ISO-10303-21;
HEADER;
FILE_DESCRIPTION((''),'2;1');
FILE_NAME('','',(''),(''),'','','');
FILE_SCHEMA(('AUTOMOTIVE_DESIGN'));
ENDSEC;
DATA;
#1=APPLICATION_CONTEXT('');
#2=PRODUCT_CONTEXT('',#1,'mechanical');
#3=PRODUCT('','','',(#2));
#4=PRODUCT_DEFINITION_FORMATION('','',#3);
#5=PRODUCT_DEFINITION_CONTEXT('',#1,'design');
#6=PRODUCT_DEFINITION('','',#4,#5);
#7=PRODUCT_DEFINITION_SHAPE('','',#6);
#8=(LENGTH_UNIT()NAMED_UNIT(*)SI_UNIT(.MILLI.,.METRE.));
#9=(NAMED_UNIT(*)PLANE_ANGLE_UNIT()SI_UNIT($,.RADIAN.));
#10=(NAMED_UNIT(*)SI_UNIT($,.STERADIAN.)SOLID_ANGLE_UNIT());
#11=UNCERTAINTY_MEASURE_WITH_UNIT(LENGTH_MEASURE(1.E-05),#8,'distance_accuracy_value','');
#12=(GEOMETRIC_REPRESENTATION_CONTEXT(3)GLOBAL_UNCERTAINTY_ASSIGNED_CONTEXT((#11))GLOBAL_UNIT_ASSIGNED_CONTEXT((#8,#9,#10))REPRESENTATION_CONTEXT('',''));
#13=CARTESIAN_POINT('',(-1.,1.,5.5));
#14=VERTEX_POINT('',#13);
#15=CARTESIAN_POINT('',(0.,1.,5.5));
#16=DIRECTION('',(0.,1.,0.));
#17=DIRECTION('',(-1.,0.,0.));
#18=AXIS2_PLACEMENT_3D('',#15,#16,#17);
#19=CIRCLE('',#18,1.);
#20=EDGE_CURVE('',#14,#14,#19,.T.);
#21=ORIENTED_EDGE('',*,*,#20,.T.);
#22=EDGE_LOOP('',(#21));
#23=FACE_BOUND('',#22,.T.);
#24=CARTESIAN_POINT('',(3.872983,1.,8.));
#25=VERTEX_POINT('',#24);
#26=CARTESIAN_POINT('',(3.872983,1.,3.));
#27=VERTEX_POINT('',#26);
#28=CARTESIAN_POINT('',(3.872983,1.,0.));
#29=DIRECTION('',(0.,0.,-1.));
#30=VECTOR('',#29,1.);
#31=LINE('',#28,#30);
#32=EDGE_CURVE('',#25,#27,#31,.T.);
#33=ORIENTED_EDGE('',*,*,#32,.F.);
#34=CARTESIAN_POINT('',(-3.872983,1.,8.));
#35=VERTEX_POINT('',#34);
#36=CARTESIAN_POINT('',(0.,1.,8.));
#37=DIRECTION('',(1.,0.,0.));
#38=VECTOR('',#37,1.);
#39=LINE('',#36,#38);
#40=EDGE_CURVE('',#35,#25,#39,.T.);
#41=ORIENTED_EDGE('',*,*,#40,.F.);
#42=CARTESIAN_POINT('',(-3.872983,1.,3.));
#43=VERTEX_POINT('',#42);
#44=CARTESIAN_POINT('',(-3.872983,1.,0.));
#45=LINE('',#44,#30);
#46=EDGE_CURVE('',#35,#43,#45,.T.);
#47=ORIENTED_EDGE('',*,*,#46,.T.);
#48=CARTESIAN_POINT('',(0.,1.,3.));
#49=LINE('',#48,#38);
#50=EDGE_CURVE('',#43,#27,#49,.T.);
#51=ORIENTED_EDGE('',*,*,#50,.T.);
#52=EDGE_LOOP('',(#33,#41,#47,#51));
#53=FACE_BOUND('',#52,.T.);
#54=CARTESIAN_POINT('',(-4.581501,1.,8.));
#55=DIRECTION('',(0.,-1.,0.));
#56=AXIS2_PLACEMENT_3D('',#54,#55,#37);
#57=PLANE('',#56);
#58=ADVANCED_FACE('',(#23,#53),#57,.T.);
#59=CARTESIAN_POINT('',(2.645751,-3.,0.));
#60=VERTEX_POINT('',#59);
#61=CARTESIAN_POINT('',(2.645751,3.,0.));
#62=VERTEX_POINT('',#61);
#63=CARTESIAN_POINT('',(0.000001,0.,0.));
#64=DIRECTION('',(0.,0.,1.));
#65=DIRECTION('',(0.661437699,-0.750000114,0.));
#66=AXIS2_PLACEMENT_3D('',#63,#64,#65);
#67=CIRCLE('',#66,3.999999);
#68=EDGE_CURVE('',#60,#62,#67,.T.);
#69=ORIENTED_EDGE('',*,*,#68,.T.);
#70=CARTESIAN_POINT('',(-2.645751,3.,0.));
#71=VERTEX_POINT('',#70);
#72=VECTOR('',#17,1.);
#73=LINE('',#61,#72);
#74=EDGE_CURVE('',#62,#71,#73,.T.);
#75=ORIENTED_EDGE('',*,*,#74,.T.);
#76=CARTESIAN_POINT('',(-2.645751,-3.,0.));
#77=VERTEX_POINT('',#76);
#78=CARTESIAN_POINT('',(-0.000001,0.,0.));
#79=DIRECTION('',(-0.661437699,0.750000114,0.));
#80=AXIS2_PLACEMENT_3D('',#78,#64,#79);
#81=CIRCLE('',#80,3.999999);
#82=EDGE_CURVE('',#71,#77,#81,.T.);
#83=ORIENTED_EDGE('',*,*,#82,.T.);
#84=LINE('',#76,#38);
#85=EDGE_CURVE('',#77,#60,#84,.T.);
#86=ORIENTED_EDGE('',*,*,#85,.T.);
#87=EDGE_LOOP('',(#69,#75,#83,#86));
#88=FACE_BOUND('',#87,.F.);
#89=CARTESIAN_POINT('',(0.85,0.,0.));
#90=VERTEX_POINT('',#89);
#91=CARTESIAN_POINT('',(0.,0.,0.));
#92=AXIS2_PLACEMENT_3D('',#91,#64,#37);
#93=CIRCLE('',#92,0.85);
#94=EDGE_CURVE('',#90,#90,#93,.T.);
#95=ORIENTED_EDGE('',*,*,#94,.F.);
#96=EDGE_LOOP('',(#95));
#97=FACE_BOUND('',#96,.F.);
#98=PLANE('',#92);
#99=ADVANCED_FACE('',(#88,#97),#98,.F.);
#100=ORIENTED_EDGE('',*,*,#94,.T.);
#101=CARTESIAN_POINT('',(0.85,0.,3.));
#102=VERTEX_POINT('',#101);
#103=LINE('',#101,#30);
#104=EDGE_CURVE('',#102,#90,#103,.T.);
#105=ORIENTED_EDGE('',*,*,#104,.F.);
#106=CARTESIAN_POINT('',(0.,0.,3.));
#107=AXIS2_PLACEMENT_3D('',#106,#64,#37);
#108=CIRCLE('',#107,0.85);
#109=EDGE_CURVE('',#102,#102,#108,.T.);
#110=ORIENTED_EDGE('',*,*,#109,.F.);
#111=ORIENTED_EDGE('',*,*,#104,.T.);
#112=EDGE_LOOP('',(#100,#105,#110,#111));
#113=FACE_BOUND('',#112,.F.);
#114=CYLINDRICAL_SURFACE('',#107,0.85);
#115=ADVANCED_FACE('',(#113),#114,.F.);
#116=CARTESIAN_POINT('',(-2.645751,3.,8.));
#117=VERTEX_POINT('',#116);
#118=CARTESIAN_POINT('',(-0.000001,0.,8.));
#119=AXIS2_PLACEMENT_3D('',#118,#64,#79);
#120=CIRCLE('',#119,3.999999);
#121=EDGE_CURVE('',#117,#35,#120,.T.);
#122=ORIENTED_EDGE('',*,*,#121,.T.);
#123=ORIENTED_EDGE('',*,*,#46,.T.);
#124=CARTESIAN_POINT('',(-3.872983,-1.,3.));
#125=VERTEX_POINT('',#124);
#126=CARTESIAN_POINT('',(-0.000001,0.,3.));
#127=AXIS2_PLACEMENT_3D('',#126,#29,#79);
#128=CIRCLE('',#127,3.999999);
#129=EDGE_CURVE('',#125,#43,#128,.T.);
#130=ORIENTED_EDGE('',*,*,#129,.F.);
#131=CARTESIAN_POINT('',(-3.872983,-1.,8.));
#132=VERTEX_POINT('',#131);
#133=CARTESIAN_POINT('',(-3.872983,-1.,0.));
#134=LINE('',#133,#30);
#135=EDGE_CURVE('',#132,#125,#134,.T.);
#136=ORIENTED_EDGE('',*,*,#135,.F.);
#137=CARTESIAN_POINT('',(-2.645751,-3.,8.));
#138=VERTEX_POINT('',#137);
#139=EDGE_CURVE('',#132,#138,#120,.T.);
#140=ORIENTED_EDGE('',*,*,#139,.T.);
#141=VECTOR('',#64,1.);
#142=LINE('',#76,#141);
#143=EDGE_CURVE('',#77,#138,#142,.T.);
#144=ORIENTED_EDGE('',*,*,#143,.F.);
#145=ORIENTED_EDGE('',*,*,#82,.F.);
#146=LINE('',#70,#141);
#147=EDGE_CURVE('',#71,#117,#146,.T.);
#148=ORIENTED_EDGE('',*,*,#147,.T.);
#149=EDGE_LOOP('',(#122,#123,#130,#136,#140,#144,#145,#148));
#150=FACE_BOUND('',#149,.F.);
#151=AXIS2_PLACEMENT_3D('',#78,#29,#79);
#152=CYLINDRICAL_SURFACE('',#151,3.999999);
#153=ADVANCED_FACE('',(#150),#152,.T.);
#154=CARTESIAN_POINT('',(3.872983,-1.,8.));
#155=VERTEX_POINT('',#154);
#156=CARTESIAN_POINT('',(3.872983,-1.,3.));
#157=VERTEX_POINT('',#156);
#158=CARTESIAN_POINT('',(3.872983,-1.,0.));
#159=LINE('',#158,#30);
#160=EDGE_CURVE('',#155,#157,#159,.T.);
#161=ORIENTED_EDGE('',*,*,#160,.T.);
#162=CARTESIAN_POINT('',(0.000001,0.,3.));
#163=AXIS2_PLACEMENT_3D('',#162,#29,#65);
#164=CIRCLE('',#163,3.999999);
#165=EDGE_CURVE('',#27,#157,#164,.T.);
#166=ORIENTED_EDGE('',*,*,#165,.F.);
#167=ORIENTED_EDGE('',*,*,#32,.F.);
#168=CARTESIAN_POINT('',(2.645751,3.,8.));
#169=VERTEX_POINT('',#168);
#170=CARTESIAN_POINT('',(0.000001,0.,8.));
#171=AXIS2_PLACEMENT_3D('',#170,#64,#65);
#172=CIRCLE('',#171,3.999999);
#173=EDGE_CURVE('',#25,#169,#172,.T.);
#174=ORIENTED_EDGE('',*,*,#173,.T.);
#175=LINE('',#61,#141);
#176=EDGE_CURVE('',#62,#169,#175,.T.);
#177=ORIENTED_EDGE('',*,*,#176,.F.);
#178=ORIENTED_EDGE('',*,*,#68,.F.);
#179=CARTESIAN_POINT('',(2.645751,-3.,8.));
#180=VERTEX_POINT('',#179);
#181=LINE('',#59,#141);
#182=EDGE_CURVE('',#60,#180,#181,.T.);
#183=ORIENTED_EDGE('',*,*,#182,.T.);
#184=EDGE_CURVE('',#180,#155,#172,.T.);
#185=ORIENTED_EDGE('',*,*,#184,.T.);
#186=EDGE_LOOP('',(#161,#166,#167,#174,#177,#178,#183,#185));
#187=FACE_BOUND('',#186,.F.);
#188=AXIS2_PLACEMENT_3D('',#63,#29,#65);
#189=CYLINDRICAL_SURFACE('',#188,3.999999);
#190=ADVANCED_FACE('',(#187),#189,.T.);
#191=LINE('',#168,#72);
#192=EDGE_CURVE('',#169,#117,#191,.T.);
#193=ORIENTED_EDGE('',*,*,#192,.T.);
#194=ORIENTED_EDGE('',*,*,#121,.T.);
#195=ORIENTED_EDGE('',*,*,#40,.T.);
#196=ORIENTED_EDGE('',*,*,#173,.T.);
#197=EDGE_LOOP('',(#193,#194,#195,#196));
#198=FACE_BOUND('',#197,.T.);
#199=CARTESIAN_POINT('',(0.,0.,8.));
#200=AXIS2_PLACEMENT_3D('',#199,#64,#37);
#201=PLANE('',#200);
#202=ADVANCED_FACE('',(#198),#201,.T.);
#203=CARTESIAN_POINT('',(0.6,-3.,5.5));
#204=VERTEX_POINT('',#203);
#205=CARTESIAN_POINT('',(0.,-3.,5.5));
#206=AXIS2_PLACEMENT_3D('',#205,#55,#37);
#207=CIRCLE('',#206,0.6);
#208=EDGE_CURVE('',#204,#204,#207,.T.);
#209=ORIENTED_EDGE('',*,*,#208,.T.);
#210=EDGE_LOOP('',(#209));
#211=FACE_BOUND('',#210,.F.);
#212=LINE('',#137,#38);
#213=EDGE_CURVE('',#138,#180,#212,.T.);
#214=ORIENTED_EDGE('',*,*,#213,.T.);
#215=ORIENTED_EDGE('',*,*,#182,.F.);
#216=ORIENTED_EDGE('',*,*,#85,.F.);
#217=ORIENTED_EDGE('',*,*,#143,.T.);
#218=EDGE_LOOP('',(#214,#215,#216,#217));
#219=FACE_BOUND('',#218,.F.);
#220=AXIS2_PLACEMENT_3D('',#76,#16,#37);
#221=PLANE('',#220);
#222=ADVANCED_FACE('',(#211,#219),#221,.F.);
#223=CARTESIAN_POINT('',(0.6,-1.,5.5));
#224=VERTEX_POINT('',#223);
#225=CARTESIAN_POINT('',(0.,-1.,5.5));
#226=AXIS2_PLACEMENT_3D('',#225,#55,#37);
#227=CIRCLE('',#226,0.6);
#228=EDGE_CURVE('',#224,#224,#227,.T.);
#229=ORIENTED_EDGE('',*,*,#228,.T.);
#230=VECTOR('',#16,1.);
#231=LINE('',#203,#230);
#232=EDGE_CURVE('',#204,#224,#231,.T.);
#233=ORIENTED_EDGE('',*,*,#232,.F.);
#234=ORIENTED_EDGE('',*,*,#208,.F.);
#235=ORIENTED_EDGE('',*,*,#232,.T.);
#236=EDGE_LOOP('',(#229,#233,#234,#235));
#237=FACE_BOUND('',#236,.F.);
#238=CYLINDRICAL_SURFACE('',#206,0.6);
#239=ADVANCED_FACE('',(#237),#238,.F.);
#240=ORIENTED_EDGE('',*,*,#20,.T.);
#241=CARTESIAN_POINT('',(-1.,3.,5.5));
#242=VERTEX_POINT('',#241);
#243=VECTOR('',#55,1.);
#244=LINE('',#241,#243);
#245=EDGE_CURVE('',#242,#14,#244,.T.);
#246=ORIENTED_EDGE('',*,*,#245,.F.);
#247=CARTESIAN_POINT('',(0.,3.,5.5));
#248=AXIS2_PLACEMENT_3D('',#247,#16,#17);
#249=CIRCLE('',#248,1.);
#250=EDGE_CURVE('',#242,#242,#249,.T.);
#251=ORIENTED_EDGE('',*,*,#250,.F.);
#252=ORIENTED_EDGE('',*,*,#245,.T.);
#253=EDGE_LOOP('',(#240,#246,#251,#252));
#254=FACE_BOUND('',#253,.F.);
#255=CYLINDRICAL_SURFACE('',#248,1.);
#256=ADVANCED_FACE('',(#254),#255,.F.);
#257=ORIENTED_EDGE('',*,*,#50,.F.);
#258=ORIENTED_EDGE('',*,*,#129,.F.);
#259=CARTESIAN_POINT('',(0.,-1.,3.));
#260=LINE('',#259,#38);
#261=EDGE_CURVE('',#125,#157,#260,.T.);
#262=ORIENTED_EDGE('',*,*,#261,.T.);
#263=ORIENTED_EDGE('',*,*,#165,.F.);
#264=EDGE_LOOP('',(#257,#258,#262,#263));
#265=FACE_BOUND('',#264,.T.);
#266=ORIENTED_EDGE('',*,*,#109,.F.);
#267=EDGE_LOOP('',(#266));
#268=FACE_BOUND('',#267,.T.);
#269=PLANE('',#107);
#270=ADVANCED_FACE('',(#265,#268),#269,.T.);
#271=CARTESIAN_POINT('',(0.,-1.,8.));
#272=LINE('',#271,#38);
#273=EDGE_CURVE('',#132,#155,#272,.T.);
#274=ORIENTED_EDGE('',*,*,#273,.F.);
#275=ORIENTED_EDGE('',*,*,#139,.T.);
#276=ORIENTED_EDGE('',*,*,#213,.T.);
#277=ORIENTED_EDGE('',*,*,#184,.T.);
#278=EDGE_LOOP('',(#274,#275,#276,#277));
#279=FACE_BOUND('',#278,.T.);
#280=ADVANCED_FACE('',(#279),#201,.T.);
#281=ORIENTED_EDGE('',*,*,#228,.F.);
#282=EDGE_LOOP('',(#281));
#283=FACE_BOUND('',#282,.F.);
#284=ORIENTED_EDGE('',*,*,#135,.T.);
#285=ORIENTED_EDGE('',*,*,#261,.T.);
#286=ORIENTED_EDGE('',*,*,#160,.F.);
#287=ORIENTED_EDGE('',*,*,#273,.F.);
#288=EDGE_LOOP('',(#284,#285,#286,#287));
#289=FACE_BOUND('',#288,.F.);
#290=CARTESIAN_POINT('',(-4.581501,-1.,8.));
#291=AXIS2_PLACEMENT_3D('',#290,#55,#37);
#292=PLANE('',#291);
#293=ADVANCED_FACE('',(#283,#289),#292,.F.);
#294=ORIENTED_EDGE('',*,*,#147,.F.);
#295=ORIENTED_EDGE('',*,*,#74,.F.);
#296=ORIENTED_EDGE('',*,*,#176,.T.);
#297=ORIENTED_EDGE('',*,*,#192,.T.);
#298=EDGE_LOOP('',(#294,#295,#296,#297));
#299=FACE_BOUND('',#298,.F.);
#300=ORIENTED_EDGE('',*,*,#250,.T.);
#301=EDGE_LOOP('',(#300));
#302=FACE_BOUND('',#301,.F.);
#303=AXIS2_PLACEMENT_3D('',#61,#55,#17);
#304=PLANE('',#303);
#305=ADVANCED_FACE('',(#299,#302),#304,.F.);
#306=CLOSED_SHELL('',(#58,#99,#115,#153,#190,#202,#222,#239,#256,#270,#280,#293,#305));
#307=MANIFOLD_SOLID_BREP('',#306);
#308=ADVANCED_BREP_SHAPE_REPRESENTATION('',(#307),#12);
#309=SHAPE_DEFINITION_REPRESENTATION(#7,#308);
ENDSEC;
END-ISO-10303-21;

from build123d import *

# Parameters (mm, degrees)
F1_DEPTH = 8
F2_W     = 9.163002
F2_H     = 2
F3_DEPTH = 5
F4_R     = 0.6
F5_DEPTH = 6.001
F6_R     = 1
F7_DEPTH = 2
F8_R     = 0.85
F9_DEPTH = 3.001


with BuildPart() as f1:
    # F0 (on Top) → F1 (new body)
    with BuildSketch(Plane.XY):
        with BuildLine():
            Line((2.645751, 3), (-2.645751, 3))
            ThreePointArc((-2.645751, 3), (-4, 0), (-2.645751, -3))
            Line((-2.645751, -3), (2.645751, -3))
            ThreePointArc((2.645751, -3), (4, 0), (2.645751, 3))
        make_face()
    extrude(amount=F1_DEPTH)

    # F2 (on face) → F3 (cut)
    with BuildSketch(Plane.XY.offset(8)):
        Rectangle(F2_W, F2_H)
    extrude(amount=-F3_DEPTH, mode=Mode.SUBTRACT)

    # F4 (on face) → F5 (cut, through all)
    with BuildSketch(Plane.XZ.offset(3)):
        with Locations((0, 5.5)):
            Circle(F4_R)
    extrude(amount=-F5_DEPTH, mode=Mode.SUBTRACT)

    # F6 (on face) → F7 (cut, through all)
    with BuildSketch(Plane(origin=(0, 3, 0), x_dir=(-1, 0, 0), z_dir=(0, 1, 0))):
        with Locations((0, 5.5)):
            Circle(F6_R)
    extrude(amount=-F7_DEPTH, mode=Mode.SUBTRACT)

    # F8 (on face) → F9 (cut, through all)
    with BuildSketch(Plane.XY.offset(3)):
        Circle(F8_R)
    extrude(amount=-F9_DEPTH, mode=Mode.SUBTRACT)


solid = f1.part
